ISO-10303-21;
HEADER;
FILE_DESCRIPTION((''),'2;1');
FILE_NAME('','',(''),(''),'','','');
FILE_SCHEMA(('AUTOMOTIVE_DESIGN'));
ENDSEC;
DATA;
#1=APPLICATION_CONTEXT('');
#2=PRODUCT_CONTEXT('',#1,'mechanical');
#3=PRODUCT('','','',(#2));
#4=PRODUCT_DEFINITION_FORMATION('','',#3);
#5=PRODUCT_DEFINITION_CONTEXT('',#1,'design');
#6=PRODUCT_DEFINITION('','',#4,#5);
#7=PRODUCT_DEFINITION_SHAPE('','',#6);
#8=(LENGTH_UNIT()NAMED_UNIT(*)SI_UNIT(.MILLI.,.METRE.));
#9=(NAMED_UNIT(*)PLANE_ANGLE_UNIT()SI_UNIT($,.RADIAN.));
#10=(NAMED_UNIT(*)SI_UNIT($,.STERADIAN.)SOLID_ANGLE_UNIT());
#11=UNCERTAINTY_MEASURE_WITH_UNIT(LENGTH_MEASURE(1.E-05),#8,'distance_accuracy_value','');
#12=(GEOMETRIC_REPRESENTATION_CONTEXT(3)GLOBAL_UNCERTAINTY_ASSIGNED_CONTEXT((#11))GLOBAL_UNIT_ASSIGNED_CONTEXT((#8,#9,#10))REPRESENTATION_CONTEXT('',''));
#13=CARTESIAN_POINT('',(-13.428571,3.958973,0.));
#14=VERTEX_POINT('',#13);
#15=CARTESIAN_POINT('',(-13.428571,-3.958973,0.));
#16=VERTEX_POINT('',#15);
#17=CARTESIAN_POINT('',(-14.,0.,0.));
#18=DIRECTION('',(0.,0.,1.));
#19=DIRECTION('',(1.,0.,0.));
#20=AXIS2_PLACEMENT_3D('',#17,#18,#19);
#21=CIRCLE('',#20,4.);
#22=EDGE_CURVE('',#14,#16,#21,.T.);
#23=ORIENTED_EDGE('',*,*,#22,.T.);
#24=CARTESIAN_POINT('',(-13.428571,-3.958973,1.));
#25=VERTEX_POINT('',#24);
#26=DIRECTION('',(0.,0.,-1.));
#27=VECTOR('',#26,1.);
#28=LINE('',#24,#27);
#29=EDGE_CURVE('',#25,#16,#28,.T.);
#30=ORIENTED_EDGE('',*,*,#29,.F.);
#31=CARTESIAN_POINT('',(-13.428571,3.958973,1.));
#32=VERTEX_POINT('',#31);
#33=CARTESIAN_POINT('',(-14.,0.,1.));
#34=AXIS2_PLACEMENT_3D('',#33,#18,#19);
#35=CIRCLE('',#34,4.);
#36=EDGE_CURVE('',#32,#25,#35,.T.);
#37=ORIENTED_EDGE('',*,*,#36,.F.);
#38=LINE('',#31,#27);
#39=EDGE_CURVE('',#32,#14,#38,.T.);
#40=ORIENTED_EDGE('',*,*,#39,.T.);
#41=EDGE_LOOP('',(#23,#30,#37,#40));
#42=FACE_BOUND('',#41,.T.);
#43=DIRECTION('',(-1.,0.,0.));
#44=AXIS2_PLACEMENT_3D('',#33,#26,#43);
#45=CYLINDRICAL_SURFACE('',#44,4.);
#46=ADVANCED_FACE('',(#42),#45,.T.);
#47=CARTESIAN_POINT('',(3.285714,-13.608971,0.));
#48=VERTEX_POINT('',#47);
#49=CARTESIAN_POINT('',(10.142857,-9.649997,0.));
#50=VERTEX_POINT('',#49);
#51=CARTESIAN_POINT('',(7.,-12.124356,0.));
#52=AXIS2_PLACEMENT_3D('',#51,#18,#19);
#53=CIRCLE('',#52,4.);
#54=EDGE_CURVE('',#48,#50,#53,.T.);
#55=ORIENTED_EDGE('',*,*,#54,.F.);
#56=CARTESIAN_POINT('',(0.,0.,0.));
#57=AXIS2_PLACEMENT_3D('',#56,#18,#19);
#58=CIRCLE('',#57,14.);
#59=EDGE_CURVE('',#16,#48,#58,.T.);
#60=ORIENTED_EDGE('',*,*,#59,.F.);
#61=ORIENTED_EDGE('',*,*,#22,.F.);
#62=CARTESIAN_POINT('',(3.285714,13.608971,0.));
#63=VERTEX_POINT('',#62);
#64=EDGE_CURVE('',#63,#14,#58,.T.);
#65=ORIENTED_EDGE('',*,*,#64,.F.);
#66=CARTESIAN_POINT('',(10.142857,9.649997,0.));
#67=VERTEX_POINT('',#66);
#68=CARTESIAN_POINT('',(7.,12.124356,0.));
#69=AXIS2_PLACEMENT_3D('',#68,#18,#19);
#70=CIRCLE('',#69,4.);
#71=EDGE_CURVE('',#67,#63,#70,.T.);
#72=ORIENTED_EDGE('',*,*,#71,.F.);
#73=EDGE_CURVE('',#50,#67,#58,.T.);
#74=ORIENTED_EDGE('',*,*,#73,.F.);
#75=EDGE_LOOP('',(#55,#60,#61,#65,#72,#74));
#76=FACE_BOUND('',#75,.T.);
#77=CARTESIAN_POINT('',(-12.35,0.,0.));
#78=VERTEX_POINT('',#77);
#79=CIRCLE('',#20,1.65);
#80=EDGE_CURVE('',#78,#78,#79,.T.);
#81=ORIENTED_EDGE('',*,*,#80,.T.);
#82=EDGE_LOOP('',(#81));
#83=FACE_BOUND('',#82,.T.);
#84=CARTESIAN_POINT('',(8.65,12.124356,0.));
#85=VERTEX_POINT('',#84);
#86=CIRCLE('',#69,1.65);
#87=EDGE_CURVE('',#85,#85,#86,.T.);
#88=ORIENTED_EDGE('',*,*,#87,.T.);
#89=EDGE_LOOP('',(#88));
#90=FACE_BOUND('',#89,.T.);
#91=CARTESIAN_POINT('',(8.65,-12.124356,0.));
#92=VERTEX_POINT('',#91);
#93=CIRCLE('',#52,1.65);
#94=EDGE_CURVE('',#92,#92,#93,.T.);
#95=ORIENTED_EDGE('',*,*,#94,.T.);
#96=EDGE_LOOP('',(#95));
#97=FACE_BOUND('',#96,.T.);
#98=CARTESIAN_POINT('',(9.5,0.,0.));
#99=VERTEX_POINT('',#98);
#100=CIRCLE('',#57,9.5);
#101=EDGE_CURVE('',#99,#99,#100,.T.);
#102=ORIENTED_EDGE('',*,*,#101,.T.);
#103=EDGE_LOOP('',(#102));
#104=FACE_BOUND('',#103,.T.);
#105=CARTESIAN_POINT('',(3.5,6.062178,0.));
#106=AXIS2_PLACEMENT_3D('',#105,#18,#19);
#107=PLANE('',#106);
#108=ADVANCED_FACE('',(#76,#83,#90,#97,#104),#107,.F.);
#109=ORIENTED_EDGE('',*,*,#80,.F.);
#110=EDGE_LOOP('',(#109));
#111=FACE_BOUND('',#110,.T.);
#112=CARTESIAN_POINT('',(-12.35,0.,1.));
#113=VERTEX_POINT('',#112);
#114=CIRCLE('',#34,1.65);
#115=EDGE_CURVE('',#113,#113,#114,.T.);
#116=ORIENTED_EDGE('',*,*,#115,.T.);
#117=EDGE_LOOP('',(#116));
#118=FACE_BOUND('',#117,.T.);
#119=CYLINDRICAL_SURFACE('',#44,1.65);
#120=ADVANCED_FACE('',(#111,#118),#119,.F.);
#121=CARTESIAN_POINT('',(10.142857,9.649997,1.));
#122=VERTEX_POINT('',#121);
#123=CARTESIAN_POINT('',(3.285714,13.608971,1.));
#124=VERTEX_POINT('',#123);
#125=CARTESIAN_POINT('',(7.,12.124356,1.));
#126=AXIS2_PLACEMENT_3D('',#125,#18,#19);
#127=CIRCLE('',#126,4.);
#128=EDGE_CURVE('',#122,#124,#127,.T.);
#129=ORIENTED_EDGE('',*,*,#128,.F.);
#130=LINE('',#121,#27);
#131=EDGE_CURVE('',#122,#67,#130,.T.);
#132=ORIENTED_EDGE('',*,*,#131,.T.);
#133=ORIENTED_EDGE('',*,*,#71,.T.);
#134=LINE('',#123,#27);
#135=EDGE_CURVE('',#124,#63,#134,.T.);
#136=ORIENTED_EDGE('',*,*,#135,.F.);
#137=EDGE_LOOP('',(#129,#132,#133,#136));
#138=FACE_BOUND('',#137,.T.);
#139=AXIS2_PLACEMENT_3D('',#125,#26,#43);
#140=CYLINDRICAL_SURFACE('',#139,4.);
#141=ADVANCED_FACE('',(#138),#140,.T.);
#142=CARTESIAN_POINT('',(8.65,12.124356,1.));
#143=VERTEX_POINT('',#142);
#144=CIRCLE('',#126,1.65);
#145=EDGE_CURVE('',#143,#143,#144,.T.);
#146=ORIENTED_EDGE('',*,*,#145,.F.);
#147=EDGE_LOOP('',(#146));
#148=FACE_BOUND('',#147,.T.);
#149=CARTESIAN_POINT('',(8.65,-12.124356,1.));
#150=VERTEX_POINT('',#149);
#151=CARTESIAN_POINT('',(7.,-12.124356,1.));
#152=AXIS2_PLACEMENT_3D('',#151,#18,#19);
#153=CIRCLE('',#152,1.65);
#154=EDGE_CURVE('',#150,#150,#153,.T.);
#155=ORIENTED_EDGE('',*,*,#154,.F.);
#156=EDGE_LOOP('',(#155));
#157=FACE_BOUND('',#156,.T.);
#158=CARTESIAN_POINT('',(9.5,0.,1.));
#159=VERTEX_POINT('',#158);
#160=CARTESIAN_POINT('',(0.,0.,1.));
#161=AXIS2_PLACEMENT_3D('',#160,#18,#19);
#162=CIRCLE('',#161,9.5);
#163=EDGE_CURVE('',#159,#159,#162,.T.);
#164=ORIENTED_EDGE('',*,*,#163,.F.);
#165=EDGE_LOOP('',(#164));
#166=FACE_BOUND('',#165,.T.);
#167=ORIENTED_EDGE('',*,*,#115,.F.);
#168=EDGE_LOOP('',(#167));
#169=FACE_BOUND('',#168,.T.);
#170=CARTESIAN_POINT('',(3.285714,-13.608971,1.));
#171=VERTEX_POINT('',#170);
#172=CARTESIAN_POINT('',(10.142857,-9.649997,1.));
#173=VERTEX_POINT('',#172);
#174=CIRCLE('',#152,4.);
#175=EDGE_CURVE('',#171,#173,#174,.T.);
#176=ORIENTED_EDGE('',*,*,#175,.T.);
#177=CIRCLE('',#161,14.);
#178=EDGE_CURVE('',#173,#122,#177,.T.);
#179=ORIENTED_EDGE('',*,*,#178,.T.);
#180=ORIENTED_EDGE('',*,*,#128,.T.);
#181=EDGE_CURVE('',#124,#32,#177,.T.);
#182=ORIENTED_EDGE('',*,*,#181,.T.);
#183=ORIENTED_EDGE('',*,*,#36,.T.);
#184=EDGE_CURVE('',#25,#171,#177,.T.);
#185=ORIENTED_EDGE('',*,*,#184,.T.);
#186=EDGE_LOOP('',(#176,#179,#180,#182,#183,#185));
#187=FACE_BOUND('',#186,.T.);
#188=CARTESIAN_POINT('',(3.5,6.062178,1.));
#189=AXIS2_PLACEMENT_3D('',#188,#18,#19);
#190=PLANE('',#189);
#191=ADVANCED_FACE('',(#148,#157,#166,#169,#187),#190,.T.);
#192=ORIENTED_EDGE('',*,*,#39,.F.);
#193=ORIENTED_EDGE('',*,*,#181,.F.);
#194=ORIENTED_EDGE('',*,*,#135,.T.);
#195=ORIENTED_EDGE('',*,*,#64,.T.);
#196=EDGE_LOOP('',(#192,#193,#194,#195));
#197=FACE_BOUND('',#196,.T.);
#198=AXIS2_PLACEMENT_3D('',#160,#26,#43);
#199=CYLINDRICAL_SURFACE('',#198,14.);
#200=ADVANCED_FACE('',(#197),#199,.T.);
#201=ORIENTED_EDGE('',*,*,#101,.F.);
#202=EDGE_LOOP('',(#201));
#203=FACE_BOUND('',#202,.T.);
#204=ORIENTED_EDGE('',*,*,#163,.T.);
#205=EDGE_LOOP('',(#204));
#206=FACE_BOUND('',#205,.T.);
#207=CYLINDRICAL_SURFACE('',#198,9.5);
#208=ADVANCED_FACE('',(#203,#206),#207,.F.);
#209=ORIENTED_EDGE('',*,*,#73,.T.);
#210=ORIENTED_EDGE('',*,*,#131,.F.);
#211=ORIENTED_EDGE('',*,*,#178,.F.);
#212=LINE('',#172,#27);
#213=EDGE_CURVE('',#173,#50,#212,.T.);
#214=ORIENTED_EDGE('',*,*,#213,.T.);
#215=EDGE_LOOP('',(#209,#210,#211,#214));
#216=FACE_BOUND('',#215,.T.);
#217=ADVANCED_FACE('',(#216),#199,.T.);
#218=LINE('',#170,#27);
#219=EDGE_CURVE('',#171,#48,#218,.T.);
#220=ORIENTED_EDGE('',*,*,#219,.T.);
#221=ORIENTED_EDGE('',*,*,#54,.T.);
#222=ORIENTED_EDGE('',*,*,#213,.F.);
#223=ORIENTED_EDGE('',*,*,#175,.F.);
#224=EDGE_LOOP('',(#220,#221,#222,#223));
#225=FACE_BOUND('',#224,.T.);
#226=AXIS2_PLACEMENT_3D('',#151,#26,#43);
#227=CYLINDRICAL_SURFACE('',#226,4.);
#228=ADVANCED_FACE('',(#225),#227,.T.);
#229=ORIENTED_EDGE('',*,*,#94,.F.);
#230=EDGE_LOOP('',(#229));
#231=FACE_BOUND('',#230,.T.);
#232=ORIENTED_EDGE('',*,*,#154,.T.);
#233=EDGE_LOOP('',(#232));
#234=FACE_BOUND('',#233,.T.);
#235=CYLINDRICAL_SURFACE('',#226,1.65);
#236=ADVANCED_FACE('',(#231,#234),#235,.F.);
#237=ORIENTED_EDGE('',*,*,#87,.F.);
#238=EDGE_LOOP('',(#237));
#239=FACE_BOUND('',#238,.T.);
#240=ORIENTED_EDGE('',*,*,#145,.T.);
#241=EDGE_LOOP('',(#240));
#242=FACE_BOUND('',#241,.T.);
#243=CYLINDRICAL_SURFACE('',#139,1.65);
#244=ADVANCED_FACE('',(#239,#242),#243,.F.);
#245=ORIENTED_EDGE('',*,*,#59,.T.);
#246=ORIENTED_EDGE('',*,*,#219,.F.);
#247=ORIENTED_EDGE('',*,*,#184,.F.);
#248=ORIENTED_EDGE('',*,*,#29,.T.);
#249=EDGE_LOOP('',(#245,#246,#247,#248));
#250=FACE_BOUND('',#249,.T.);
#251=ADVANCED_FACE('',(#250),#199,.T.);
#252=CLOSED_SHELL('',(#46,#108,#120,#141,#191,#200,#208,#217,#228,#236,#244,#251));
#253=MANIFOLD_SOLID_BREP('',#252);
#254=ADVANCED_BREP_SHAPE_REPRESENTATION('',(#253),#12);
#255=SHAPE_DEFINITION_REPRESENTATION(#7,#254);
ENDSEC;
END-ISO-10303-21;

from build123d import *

# Parameters (mm, degrees)
SKETCH1_R           = 1.65
SKETCH1_R_2         = 9.5
BOSS_EXTRUDE1_DEPTH = 1


with BuildPart() as part:
    # Sketch1 → Boss-Extrude1 (new body)
    with BuildSketch(Plane.XY):
        with BuildLine():
            ThreePointArc((10.142857143, 9.649997356), (9, 15.588457268), (3.285714286, 13.608970631))
            ThreePointArc((3.285714286, 13.608970631), (-7, 12.124355653), (-13.428571429, 3.958973274))
            ThreePointArc((-13.428571429, 3.958973274), (-18, 0), (-13.428571429, -3.958973274))
            ThreePointArc((-13.428571429, -3.958973274), (-7, -12.124355653), (3.285714286, -13.608970631))
            ThreePointArc((3.285714286, -13.608970631), (9, -15.588457268), (10.142857143, -9.649997356))
            ThreePointArc((10.142857143, -9.649997356), (14, 0), (10.142857143, 9.649997356))
        make_face()
        with Locations((7, 12.124355653)):
            Circle(SKETCH1_R, mode=Mode.SUBTRACT)
        with Locations((7, -12.124355653)):
            Circle(SKETCH1_R, mode=Mode.SUBTRACT)
        with Locations((-14, 0)):
            Circle(SKETCH1_R, mode=Mode.SUBTRACT)
        Circle(SKETCH1_R_2, mode=Mode.SUBTRACT)
    extrude(amount=BOSS_EXTRUDE1_DEPTH)


solid = part.part
